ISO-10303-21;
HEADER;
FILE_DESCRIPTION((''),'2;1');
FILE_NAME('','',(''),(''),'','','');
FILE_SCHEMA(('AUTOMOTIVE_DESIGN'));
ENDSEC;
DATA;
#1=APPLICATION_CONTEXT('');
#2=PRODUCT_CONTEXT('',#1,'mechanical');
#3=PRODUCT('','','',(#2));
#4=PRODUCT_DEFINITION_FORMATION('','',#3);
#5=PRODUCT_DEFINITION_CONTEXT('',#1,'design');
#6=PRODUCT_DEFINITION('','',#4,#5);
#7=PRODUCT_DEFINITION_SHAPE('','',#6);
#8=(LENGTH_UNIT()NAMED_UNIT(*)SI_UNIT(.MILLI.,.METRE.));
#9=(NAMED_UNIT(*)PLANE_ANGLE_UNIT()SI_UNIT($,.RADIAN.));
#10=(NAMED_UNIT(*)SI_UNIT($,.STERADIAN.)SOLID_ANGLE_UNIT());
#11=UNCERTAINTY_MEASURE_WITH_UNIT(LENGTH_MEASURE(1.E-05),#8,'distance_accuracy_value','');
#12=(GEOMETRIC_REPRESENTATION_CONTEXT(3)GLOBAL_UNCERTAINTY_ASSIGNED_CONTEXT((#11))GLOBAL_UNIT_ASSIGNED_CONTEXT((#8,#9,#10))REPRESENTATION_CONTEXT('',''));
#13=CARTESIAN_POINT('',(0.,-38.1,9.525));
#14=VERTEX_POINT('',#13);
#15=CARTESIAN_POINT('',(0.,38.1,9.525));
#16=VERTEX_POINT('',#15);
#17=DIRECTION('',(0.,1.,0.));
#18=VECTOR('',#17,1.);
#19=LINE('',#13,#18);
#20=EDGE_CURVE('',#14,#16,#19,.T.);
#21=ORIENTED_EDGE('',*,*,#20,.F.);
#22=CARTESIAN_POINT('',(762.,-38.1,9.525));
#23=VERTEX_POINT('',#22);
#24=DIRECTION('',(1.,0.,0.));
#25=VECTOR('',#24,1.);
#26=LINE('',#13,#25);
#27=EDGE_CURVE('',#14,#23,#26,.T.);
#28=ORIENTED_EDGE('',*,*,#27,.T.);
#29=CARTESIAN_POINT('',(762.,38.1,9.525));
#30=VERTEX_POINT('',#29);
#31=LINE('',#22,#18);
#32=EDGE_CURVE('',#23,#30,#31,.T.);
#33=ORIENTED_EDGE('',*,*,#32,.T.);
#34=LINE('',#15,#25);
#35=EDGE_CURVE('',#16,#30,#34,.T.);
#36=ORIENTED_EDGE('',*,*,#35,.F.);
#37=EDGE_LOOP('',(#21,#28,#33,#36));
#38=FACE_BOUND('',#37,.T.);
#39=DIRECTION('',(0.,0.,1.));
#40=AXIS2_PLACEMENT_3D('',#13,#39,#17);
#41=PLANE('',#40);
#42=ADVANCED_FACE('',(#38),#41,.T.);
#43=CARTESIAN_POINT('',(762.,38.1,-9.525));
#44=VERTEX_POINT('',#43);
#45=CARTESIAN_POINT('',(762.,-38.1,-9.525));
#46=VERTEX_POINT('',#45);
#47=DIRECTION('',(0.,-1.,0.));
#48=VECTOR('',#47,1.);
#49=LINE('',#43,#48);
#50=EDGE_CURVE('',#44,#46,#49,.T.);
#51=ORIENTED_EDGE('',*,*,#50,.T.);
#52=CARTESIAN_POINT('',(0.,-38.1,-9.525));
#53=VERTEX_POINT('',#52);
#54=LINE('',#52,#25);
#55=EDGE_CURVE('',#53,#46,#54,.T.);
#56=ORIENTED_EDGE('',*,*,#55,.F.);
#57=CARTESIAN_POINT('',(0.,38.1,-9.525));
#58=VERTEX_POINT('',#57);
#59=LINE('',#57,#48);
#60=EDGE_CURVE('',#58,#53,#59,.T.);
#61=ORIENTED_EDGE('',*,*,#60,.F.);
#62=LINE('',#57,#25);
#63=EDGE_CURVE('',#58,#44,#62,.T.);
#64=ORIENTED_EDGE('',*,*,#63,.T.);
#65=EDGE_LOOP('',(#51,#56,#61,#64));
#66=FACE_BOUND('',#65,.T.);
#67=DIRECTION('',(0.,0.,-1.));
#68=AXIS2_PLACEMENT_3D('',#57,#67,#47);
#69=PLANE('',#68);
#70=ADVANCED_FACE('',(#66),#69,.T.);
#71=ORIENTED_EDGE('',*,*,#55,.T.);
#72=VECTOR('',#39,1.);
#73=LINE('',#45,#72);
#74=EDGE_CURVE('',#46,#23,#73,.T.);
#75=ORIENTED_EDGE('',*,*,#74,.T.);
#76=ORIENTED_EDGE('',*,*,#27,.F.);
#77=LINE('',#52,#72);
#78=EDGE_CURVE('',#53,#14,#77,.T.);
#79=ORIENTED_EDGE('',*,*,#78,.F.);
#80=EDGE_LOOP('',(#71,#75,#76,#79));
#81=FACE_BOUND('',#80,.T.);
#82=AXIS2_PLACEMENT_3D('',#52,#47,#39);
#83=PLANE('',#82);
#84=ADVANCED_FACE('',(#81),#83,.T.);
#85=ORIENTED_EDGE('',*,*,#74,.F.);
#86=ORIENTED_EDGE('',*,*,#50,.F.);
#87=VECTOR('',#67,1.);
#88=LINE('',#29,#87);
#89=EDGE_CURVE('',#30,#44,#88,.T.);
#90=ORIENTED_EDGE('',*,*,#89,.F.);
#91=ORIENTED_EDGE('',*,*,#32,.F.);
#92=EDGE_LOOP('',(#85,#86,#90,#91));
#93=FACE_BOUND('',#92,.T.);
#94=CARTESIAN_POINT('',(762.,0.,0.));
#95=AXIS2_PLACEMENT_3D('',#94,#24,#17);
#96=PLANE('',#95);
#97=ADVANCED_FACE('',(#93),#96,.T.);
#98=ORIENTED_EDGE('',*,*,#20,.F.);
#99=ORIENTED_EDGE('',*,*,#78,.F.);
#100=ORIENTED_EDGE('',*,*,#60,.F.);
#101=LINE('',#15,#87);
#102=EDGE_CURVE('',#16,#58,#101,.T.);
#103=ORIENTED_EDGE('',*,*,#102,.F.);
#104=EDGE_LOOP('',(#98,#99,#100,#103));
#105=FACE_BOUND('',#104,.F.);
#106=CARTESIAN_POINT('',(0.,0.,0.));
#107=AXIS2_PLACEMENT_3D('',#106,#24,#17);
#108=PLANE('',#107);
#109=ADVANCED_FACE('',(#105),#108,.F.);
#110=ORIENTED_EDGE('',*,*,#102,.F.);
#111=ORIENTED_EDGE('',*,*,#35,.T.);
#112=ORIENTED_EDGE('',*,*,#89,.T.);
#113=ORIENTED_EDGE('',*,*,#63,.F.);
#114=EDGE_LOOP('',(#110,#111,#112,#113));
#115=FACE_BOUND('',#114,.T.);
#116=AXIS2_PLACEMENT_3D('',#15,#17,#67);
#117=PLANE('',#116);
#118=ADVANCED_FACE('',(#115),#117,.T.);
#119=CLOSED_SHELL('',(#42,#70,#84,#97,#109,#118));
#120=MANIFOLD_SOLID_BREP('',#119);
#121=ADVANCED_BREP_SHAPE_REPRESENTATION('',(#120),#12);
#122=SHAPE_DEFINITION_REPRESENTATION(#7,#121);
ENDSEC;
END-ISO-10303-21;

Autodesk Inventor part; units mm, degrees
ref_plane "YZ Plane" through (0, 0, 0) normal (1, 0, 0) x (0, 1, 0)
ref_plane "XZ Plane" through (0, 0, 0) normal (0, 1, 0) x (-1, 0, 0)
ref_plane "XY Plane" through (0, 0, 0) normal (0, 0, 1) x (1, 0, 0)
sketch "Sketch1" plane through (0, 0, 0) normal (1, 0, 0) x (0, 1, 0)
  line L0 (-38.1, 9.525) -> (38.1, 9.525)
  line L1 (38.1, 9.525) -> (38.1, -9.525)
  line L2 (38.1, -9.525) -> (-38.1, -9.525)
  line L3 (-38.1, -9.525) -> (-38.1, 9.525)
  line L4 (-38.1, 9.525) -> (38.1, -9.525) construction
  line L5 (38.1, 9.525) -> (-38.1, -9.525) construction
  point P0 (0, 0)
  dimension "d0" = 76.2
  dimension "d1" = 19.05
extrude "Extrusion1" add sketch "Sketch1" along normal blind 762
properties part number "Table Long Rail"
